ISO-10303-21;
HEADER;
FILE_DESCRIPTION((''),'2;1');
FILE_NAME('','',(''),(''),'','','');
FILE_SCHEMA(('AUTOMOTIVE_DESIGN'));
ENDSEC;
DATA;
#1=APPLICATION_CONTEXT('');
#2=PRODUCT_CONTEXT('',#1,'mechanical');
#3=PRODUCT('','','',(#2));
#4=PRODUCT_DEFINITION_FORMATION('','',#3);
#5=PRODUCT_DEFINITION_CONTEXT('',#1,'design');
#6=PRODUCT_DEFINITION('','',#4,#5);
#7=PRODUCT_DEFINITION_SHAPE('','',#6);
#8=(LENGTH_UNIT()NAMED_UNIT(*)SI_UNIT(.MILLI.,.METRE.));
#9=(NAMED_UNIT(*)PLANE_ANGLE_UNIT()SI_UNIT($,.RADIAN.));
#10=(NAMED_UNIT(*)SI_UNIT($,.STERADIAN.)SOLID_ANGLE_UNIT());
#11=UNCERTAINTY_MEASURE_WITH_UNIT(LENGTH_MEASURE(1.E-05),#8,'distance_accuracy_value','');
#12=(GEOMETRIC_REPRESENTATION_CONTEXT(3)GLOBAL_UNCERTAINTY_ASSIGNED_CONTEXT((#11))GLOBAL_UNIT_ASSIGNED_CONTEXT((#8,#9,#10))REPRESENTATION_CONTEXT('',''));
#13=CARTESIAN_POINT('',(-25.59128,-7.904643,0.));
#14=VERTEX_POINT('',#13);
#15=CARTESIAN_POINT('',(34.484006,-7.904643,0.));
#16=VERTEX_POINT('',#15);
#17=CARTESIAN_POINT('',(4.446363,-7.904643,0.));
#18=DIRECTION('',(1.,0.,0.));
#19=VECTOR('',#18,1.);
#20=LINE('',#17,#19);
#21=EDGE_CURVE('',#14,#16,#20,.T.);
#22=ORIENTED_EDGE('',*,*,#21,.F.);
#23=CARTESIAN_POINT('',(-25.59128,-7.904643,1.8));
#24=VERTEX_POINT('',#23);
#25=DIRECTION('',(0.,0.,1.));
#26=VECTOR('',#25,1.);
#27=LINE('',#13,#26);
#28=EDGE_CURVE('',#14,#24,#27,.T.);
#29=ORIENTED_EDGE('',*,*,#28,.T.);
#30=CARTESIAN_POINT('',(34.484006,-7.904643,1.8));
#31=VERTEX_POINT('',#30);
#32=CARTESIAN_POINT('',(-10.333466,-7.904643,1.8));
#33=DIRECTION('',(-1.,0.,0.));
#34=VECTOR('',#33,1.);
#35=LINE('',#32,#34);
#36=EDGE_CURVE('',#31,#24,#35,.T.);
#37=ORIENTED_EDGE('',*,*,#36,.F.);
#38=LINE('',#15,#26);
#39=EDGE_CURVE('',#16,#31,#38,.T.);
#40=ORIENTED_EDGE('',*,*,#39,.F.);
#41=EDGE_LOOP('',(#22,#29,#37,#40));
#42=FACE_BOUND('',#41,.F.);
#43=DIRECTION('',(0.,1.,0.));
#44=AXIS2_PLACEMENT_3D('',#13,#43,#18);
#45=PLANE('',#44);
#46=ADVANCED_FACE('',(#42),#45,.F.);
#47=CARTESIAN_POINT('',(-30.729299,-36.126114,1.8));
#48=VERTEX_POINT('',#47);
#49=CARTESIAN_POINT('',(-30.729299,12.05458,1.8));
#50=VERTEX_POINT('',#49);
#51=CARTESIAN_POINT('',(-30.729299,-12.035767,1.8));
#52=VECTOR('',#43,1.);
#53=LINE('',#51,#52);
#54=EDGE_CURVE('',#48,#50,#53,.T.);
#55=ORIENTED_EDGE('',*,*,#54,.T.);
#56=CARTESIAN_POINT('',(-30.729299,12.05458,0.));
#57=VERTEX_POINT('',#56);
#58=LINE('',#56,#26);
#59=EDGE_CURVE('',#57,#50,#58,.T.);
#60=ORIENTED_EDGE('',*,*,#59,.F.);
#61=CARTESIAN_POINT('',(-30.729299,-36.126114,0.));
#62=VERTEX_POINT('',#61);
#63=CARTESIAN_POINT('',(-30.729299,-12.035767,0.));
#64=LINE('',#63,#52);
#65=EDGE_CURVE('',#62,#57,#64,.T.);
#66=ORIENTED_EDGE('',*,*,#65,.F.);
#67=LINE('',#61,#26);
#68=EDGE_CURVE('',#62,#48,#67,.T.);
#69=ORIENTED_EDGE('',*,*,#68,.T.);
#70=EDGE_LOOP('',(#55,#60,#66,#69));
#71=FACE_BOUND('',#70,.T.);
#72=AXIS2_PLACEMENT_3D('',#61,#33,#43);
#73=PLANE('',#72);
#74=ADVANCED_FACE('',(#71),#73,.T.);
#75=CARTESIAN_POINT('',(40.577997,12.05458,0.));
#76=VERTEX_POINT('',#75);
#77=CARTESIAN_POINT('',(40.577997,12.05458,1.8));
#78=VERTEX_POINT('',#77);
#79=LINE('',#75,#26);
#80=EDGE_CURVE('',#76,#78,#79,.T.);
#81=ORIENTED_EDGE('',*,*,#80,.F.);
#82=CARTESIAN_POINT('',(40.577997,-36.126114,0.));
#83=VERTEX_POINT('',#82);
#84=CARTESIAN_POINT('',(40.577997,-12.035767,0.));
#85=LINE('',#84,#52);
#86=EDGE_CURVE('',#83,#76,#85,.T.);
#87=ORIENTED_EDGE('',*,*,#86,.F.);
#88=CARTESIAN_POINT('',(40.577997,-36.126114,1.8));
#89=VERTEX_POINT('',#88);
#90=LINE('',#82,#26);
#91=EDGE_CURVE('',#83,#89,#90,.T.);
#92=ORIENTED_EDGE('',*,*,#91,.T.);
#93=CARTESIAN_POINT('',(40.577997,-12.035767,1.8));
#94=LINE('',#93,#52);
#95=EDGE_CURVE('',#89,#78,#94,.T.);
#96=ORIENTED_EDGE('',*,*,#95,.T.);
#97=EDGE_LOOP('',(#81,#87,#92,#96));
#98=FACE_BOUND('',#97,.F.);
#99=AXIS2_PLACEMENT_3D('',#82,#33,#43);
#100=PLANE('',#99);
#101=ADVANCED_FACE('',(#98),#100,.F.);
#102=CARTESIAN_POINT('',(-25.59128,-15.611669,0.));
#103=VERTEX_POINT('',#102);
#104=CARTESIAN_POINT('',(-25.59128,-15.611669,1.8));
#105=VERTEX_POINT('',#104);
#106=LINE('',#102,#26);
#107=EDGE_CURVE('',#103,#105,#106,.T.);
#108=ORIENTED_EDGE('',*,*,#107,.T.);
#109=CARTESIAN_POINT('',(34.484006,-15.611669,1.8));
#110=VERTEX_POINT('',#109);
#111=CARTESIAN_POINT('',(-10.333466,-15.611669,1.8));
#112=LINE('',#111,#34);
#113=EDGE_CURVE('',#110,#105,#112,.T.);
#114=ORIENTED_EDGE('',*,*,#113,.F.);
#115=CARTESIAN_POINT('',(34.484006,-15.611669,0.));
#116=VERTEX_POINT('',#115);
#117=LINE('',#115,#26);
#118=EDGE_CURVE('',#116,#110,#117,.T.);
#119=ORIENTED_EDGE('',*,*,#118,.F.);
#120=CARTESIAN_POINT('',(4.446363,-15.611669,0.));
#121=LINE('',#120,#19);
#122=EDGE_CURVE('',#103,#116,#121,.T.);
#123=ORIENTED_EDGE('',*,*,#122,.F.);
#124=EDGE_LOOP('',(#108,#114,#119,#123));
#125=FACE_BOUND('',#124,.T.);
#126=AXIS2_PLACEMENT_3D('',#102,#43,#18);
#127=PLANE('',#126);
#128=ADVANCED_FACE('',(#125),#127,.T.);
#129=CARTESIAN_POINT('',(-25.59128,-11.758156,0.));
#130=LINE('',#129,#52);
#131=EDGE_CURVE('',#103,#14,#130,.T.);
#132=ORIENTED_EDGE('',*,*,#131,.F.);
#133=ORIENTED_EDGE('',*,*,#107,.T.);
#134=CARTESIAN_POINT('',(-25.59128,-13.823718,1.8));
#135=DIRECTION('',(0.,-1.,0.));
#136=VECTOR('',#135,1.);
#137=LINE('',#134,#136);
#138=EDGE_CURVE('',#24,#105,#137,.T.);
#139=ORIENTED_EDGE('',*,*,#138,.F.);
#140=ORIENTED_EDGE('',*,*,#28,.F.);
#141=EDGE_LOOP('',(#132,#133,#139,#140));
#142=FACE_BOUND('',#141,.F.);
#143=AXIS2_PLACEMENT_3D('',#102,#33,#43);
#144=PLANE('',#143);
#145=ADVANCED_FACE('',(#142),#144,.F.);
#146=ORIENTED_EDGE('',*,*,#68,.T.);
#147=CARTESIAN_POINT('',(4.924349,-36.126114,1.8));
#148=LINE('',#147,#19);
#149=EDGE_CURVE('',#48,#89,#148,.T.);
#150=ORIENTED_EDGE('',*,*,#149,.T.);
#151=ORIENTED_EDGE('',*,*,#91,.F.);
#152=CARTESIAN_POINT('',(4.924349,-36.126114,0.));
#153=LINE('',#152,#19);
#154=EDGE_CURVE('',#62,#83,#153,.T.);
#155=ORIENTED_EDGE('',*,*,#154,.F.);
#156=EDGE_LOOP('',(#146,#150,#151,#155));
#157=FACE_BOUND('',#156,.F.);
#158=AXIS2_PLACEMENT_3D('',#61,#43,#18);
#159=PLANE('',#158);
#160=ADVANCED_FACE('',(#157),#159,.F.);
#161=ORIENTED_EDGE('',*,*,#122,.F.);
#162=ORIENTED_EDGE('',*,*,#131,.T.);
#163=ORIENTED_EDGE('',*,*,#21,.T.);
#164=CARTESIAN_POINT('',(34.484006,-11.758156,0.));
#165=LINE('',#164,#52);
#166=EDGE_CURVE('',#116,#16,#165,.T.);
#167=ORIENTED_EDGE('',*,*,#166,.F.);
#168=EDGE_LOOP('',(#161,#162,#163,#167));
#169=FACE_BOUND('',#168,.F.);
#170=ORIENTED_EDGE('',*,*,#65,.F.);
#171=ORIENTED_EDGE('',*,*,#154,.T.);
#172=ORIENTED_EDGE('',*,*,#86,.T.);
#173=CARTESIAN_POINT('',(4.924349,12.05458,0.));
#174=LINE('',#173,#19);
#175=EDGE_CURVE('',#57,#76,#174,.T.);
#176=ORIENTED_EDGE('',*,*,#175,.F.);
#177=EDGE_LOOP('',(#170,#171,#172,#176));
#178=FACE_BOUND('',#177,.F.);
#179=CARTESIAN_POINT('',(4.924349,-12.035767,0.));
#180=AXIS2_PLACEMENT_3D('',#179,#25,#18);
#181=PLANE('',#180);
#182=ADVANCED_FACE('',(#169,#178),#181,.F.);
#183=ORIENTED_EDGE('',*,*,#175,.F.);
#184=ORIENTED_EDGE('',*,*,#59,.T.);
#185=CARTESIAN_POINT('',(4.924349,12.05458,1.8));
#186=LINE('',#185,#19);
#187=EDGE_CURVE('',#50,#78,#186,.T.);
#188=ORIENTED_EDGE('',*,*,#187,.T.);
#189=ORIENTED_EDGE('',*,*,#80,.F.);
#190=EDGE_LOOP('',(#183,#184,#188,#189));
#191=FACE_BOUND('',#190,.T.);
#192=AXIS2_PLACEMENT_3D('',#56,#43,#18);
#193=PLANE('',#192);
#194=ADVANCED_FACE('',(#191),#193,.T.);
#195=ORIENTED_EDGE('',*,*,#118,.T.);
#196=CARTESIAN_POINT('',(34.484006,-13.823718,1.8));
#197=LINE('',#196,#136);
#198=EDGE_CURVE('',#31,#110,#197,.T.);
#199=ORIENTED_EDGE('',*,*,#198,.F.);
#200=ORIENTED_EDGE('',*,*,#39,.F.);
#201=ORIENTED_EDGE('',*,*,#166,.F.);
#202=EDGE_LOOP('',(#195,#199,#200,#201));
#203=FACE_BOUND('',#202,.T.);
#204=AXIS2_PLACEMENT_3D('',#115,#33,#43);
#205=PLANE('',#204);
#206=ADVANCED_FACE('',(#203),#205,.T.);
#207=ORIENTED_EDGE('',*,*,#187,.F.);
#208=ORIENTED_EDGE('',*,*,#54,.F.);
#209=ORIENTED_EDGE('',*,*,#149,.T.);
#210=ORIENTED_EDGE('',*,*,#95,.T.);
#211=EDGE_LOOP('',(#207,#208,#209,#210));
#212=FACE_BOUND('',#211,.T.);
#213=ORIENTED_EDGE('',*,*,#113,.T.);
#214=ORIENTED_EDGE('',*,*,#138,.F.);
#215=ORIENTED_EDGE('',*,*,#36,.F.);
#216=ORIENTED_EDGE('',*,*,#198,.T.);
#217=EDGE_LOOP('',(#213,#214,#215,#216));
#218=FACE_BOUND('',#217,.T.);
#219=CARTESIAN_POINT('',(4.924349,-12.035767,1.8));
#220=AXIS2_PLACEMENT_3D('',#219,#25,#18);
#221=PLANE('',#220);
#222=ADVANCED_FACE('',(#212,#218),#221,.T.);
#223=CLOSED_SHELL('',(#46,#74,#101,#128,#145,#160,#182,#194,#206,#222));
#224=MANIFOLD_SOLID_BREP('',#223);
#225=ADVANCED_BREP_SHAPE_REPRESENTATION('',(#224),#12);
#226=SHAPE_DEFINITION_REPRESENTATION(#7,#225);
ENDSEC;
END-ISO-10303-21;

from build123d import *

# Parameters (mm, degrees)
F0_W          = 71.3072959334
F0_H          = 48.1806946918
F1_DEPTH      = 1.8
F2_W          = 60.0752867758
F2_H          = 7.7070258558
F3_DEPTH      = 25
F3_DEPTH_BACK = 25


with BuildPart() as f1:
    # F0 (on Top) → F1 (new body)
    with BuildSketch(Plane.XY):
        with Locations((4.9243485555, -12.0357670821)):
            Rectangle(F0_W, F0_H)
    extrude(amount=F1_DEPTH)

    # F2 (on Top) → F3 (cut, two sides)
    with BuildSketch(Plane.XY) as f3_sk:
        with Locations((4.4463630766, -11.7581561208)):
            Rectangle(F2_W, F2_H)
    extrude(amount=-F3_DEPTH, mode=Mode.SUBTRACT)
    extrude(f3_sk.sketch, amount=F3_DEPTH_BACK, mode=Mode.SUBTRACT)


solid = f1.part
